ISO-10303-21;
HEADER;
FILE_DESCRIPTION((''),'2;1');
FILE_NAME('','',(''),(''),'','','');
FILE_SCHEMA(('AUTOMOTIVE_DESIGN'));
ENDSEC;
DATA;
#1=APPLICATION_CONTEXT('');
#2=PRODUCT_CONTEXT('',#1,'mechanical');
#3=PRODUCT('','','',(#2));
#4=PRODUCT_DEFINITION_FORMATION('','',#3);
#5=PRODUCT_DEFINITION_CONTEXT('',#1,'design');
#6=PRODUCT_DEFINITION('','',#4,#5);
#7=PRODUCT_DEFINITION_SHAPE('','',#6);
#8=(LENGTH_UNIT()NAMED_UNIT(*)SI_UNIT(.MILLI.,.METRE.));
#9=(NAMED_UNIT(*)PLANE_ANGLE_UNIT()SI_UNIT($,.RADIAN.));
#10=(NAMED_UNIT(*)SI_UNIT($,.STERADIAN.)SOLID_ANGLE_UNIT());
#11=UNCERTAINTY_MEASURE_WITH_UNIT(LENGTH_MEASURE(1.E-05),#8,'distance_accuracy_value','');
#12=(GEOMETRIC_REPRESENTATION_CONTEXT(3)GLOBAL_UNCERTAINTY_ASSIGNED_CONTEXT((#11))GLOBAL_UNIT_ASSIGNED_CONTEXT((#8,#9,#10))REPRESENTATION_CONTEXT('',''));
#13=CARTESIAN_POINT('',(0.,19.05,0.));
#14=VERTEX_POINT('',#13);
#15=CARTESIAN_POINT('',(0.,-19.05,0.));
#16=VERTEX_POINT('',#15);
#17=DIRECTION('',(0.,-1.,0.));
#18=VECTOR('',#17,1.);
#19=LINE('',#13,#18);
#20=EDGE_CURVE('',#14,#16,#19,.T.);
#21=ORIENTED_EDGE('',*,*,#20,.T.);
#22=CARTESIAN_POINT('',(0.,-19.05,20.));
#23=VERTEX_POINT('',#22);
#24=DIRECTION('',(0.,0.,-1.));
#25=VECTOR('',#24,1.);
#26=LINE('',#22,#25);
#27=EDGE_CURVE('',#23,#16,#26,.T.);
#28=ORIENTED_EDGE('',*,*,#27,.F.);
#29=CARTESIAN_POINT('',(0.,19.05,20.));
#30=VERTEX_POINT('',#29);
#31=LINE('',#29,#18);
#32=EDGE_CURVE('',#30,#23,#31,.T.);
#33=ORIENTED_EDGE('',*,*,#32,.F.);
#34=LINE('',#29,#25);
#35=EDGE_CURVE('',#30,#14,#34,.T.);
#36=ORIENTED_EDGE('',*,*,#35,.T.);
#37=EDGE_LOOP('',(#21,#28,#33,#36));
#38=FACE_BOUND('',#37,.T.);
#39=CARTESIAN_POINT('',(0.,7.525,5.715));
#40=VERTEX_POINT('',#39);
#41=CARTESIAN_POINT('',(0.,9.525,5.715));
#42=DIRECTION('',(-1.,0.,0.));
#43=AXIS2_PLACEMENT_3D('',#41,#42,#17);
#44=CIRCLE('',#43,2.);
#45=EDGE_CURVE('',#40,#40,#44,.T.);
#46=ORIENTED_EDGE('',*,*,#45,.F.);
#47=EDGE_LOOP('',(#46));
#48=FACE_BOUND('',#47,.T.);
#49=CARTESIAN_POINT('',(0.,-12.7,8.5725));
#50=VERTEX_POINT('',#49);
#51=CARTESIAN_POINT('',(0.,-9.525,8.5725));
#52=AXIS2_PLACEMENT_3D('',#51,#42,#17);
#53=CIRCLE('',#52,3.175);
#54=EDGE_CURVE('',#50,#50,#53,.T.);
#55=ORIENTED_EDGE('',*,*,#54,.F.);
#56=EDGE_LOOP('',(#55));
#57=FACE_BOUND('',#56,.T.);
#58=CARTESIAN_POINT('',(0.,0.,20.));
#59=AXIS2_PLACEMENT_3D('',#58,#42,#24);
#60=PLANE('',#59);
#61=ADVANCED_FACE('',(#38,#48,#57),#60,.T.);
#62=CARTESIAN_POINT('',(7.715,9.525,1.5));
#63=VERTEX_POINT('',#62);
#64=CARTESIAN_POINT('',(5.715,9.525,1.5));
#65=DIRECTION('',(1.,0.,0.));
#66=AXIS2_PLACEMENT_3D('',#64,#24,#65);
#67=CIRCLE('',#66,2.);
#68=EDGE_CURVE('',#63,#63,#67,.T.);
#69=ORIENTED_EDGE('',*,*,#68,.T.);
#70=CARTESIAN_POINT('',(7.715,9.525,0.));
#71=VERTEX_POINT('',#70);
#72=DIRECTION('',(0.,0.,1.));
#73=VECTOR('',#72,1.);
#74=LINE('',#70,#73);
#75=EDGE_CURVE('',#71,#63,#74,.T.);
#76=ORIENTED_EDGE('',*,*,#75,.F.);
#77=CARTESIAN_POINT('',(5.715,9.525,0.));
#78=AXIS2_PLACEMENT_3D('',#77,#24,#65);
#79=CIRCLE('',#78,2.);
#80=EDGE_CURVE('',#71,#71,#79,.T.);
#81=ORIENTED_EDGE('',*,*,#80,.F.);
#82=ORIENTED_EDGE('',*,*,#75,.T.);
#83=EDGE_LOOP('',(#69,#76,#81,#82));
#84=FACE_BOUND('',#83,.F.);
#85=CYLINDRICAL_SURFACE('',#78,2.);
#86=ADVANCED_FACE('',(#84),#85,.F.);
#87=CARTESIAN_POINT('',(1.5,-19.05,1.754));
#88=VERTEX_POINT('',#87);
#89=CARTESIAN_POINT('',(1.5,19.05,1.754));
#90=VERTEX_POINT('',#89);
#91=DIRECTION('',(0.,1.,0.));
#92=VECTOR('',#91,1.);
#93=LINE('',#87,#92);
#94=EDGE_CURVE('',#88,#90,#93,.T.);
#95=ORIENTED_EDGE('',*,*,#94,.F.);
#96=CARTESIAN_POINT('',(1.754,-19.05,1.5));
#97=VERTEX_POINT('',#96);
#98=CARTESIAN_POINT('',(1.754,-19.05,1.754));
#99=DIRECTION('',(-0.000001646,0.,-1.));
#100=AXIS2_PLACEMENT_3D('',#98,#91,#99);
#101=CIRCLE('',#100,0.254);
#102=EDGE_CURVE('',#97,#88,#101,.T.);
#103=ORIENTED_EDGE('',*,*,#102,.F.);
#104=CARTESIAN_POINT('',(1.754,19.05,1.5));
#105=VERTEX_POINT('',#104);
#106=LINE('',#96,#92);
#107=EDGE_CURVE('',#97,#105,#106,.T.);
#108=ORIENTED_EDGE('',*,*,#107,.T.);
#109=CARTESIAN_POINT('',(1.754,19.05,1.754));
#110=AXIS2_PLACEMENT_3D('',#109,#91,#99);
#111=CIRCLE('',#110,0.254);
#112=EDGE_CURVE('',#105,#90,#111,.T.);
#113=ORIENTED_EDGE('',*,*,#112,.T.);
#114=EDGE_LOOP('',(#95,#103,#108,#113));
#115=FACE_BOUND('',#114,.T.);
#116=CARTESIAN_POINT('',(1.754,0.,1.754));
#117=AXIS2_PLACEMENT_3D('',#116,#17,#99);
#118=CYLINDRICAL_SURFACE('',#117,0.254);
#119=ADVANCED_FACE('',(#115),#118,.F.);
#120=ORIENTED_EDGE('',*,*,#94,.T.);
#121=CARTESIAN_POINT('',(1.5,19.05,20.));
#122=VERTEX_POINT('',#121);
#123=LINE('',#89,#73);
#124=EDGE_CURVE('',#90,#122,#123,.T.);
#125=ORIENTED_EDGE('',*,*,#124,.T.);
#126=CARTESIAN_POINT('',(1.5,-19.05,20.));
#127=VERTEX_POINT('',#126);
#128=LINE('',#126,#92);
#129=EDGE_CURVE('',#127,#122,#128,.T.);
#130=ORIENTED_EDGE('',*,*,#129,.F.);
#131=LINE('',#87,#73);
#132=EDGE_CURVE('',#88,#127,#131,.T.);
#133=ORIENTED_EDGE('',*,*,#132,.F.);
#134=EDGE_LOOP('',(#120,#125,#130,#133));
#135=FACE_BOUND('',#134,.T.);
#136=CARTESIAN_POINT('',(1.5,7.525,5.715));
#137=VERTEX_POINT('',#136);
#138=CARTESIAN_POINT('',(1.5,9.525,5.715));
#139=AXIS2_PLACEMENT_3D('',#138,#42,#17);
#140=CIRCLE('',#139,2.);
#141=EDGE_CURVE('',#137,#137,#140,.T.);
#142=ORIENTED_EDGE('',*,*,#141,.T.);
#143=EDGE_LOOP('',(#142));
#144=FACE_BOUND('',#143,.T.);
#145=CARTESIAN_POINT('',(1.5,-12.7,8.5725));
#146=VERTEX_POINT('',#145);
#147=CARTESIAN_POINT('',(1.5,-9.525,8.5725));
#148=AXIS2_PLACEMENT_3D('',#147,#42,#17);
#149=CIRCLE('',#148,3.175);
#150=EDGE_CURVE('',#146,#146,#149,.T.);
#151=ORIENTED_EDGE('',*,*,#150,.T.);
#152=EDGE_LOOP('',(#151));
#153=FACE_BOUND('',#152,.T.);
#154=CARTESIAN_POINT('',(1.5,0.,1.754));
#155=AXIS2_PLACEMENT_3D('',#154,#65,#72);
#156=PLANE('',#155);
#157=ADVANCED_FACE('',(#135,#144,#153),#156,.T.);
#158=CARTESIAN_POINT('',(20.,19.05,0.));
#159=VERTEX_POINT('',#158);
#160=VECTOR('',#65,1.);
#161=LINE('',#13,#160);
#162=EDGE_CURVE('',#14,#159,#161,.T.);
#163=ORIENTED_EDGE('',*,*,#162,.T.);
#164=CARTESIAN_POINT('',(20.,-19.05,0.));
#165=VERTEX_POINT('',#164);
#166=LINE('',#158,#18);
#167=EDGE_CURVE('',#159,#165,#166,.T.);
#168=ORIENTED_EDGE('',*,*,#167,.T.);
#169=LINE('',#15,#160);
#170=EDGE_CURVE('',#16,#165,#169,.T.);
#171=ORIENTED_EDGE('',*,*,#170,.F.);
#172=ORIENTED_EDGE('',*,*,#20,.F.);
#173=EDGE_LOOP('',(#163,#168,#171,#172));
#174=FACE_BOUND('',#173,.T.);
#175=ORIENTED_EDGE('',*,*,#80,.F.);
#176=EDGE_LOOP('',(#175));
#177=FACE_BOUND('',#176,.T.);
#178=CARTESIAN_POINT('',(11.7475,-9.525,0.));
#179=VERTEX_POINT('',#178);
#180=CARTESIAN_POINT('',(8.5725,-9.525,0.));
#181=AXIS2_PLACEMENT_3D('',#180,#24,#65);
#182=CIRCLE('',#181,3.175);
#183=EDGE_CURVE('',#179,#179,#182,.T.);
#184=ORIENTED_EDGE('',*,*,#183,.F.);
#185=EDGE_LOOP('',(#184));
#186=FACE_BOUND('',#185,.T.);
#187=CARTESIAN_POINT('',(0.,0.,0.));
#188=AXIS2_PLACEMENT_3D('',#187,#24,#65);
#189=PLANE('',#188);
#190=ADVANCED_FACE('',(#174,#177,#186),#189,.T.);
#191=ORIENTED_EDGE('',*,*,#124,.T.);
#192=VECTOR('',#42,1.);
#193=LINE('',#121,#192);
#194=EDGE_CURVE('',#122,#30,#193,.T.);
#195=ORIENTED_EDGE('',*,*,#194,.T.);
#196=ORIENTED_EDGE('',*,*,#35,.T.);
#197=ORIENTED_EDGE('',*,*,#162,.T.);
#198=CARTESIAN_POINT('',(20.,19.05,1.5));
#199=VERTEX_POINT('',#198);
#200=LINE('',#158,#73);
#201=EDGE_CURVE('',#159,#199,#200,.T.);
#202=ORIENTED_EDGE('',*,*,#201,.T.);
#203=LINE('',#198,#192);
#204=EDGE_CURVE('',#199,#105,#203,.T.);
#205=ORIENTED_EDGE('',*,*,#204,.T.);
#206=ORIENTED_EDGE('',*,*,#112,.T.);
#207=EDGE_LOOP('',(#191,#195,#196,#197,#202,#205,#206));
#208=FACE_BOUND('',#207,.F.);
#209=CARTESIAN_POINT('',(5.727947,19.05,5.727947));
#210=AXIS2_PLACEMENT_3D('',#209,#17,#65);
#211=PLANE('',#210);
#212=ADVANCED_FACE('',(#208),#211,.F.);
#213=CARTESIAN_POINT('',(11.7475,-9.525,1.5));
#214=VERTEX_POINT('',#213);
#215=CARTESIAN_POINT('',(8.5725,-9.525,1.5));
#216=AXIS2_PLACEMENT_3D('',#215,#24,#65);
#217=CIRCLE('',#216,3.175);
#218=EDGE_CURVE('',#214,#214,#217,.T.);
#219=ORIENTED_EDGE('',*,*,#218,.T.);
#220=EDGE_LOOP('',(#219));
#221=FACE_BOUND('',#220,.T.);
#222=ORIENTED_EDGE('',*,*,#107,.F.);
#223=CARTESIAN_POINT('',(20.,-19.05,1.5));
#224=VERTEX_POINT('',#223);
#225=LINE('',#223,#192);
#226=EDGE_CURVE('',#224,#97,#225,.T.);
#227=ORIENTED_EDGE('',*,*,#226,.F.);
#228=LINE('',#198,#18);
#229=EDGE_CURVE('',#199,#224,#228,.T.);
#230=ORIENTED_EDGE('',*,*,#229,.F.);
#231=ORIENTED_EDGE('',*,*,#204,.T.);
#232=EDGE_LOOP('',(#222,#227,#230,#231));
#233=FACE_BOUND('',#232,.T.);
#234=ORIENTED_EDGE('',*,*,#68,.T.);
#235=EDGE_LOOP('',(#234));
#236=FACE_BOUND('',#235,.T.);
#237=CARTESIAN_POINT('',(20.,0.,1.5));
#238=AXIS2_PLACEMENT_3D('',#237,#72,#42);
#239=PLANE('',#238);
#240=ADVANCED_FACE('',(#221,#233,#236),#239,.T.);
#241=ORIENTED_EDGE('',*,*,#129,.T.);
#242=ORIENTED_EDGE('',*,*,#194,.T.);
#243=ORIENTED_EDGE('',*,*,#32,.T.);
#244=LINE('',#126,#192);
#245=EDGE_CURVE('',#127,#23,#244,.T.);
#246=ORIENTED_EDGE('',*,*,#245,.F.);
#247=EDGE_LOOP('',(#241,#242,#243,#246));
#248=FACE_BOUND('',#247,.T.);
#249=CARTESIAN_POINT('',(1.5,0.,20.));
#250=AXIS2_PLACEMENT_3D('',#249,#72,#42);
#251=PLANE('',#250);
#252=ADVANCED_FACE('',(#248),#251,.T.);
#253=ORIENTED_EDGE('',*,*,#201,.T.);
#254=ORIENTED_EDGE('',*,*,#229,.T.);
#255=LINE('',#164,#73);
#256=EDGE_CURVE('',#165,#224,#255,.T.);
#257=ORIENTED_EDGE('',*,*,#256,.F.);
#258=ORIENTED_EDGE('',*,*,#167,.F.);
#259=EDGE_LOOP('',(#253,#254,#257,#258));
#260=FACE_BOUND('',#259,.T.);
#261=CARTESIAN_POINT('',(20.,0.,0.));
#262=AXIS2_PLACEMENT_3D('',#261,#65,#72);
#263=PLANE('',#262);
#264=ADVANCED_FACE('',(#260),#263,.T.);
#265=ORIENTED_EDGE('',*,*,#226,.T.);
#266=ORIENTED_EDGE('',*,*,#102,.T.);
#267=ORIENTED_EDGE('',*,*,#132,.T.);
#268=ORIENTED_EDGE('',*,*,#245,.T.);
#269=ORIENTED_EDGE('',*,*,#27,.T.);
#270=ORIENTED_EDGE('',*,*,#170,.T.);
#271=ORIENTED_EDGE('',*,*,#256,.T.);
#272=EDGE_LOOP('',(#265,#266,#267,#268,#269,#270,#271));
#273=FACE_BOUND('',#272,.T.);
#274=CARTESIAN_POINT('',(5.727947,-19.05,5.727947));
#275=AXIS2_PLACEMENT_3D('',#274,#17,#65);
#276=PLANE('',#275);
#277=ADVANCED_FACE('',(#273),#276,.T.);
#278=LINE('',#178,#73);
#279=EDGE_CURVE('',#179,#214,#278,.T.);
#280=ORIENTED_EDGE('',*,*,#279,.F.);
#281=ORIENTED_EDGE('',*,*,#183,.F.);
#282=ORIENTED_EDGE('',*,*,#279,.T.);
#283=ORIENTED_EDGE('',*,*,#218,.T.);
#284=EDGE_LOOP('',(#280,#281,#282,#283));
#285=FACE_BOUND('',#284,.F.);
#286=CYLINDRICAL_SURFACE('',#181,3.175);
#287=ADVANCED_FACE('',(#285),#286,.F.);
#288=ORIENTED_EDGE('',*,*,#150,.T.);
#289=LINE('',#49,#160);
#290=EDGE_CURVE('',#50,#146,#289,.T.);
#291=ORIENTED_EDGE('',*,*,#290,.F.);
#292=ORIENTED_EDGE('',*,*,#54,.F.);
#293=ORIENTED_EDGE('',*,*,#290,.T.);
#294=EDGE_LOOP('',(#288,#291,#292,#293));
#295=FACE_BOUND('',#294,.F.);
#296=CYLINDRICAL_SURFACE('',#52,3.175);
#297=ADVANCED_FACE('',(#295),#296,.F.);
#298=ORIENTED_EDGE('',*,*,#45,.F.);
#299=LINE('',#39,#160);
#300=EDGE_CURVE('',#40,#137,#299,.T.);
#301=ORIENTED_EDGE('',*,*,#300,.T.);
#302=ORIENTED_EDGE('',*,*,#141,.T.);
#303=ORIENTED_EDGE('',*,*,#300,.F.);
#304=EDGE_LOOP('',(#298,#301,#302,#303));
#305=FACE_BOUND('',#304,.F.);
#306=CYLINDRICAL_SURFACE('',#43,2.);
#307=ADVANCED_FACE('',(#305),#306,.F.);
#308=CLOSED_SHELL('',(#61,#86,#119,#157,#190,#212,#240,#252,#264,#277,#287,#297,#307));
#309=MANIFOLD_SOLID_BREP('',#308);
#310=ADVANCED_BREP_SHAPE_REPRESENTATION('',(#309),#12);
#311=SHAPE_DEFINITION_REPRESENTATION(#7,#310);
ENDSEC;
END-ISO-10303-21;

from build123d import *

# Parameters (mm, degrees)
F1_DEPTH = 19.05
F2_R     = 3.175
F2_R_2   = 2
F3_DEPTH = 1.5
F4_R     = 3.175
F4_R_2   = 2
F5_DEPTH = 1.5


with BuildPart() as f1:
    # F0 (on Front) → F1 (new body, symmetric)
    with BuildSketch(Plane.XZ):
        with BuildLine():
            Line((1.5, 20), (0, 20))
            Line((0, 20), (0, 0))
            Line((0, 0), (20, 0))
            Line((20, 0), (20, 1.5))
            Line((20, 1.5), (1.754, 1.5))
            ThreePointArc((1.754, 1.5), (1.574395, 1.574395), (1.5, 1.754))
            Line((1.5, 1.754), (1.5, 20))
        make_face()
    extrude(amount=F1_DEPTH, both=True)

    # F2 (on face) → F3 (cut, through all)
    with BuildSketch(Plane(origin=(0, 0, 0), x_dir=(0, -1, 0), z_dir=(-1, 0, 0))):
        with Locations((9.525, 8.5725)):
            Circle(F2_R)
        with Locations((-9.525, 5.715)):
            Circle(F2_R_2)
    extrude(amount=-F3_DEPTH, mode=Mode.SUBTRACT)

    # F4 (on face) → F5 (cut, through all)
    with BuildSketch(Plane(origin=(0, 0, 0), x_dir=(1, 0, 0), z_dir=(0, 0, -1))):
        with Locations((8.5725, 9.525)):
            Circle(F4_R)
        with Locations((5.715, -9.525)):
            Circle(F4_R_2)
    extrude(amount=-F5_DEPTH, mode=Mode.SUBTRACT)


solid = f1.part
